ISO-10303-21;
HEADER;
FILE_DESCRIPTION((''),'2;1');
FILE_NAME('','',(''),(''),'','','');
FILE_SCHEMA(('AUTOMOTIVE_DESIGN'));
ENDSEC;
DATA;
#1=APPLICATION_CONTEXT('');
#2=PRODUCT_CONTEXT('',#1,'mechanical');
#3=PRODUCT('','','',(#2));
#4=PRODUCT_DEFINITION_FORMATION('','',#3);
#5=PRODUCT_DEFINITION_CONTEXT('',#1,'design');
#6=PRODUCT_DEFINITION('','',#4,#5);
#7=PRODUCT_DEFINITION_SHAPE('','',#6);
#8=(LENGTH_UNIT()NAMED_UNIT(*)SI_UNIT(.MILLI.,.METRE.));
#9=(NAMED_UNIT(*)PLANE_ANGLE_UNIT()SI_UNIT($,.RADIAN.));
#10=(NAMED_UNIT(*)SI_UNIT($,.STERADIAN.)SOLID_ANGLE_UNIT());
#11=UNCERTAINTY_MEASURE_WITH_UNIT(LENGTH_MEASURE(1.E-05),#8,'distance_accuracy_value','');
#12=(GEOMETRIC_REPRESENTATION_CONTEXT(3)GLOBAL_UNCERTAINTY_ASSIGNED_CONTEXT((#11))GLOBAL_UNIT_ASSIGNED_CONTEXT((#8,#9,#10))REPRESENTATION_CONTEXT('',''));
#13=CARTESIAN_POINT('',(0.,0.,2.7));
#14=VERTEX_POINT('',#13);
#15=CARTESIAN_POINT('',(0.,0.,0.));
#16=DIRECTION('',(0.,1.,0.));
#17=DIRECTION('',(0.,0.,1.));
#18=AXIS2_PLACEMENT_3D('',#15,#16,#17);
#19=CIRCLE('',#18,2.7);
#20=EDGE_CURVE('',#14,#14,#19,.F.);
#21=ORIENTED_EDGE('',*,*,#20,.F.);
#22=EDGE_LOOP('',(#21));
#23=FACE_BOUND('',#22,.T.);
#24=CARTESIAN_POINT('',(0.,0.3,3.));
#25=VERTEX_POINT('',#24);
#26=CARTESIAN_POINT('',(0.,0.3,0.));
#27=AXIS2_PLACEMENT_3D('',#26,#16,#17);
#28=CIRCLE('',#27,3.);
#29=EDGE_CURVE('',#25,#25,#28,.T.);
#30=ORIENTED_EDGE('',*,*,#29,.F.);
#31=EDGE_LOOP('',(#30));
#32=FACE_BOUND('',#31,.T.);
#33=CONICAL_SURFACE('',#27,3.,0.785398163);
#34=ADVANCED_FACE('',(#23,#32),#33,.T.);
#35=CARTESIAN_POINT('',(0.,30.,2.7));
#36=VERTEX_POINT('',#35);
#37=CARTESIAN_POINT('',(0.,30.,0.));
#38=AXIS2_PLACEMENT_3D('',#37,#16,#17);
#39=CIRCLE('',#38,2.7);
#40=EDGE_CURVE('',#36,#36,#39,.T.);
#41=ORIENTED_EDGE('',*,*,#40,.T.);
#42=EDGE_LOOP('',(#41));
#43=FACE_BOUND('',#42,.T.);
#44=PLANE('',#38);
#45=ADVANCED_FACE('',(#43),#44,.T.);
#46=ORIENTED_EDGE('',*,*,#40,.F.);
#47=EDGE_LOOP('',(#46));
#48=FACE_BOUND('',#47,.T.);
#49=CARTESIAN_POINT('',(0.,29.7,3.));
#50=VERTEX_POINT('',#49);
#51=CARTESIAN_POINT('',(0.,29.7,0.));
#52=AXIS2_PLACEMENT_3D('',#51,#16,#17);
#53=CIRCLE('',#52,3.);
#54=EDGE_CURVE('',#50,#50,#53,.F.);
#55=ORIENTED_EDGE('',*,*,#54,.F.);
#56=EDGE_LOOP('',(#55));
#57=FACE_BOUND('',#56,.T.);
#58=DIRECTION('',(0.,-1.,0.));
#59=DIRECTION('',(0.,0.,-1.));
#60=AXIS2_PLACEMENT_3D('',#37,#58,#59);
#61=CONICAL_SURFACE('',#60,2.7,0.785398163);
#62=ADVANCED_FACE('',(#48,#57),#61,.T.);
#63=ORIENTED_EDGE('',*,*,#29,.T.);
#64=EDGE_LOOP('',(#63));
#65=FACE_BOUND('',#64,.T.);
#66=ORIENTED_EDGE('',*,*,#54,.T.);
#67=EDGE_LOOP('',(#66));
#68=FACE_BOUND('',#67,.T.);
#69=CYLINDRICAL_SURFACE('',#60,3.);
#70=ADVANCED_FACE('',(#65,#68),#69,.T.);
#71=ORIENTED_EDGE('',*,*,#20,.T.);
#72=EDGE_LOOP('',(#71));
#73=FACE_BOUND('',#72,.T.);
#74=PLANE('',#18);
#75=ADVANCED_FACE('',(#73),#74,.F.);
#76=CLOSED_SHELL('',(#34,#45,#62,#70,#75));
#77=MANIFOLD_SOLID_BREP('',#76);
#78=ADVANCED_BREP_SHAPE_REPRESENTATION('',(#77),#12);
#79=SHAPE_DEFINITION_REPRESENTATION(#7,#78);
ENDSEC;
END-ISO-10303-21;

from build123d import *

# Parameters (mm, degrees)
SKETCH1_R           = 3
BOSS_EXTRUDE1_DEPTH = 30
CHAMFER1_SIZE       = 0.3


with BuildPart() as part:
    # Sketch1 → Boss-Extrude1 (new body)
    with BuildSketch(Plane(origin=(0, 0, 0), x_dir=(1, 0, 0), z_dir=(0, 1, 0))):
        with Locations(Location((0, 0, 0), (0, 0, 270))):
            Circle(SKETCH1_R)
    extrude(amount=BOSS_EXTRUDE1_DEPTH)

    # Chamfer1
    chamfer1_edges = [part.edges().sort_by_distance(p)[0] for p in [
        (0, 0, -3),
        (0, 30, -3),
    ]]
    chamfer(chamfer1_edges, length=CHAMFER1_SIZE)


solid = part.part
